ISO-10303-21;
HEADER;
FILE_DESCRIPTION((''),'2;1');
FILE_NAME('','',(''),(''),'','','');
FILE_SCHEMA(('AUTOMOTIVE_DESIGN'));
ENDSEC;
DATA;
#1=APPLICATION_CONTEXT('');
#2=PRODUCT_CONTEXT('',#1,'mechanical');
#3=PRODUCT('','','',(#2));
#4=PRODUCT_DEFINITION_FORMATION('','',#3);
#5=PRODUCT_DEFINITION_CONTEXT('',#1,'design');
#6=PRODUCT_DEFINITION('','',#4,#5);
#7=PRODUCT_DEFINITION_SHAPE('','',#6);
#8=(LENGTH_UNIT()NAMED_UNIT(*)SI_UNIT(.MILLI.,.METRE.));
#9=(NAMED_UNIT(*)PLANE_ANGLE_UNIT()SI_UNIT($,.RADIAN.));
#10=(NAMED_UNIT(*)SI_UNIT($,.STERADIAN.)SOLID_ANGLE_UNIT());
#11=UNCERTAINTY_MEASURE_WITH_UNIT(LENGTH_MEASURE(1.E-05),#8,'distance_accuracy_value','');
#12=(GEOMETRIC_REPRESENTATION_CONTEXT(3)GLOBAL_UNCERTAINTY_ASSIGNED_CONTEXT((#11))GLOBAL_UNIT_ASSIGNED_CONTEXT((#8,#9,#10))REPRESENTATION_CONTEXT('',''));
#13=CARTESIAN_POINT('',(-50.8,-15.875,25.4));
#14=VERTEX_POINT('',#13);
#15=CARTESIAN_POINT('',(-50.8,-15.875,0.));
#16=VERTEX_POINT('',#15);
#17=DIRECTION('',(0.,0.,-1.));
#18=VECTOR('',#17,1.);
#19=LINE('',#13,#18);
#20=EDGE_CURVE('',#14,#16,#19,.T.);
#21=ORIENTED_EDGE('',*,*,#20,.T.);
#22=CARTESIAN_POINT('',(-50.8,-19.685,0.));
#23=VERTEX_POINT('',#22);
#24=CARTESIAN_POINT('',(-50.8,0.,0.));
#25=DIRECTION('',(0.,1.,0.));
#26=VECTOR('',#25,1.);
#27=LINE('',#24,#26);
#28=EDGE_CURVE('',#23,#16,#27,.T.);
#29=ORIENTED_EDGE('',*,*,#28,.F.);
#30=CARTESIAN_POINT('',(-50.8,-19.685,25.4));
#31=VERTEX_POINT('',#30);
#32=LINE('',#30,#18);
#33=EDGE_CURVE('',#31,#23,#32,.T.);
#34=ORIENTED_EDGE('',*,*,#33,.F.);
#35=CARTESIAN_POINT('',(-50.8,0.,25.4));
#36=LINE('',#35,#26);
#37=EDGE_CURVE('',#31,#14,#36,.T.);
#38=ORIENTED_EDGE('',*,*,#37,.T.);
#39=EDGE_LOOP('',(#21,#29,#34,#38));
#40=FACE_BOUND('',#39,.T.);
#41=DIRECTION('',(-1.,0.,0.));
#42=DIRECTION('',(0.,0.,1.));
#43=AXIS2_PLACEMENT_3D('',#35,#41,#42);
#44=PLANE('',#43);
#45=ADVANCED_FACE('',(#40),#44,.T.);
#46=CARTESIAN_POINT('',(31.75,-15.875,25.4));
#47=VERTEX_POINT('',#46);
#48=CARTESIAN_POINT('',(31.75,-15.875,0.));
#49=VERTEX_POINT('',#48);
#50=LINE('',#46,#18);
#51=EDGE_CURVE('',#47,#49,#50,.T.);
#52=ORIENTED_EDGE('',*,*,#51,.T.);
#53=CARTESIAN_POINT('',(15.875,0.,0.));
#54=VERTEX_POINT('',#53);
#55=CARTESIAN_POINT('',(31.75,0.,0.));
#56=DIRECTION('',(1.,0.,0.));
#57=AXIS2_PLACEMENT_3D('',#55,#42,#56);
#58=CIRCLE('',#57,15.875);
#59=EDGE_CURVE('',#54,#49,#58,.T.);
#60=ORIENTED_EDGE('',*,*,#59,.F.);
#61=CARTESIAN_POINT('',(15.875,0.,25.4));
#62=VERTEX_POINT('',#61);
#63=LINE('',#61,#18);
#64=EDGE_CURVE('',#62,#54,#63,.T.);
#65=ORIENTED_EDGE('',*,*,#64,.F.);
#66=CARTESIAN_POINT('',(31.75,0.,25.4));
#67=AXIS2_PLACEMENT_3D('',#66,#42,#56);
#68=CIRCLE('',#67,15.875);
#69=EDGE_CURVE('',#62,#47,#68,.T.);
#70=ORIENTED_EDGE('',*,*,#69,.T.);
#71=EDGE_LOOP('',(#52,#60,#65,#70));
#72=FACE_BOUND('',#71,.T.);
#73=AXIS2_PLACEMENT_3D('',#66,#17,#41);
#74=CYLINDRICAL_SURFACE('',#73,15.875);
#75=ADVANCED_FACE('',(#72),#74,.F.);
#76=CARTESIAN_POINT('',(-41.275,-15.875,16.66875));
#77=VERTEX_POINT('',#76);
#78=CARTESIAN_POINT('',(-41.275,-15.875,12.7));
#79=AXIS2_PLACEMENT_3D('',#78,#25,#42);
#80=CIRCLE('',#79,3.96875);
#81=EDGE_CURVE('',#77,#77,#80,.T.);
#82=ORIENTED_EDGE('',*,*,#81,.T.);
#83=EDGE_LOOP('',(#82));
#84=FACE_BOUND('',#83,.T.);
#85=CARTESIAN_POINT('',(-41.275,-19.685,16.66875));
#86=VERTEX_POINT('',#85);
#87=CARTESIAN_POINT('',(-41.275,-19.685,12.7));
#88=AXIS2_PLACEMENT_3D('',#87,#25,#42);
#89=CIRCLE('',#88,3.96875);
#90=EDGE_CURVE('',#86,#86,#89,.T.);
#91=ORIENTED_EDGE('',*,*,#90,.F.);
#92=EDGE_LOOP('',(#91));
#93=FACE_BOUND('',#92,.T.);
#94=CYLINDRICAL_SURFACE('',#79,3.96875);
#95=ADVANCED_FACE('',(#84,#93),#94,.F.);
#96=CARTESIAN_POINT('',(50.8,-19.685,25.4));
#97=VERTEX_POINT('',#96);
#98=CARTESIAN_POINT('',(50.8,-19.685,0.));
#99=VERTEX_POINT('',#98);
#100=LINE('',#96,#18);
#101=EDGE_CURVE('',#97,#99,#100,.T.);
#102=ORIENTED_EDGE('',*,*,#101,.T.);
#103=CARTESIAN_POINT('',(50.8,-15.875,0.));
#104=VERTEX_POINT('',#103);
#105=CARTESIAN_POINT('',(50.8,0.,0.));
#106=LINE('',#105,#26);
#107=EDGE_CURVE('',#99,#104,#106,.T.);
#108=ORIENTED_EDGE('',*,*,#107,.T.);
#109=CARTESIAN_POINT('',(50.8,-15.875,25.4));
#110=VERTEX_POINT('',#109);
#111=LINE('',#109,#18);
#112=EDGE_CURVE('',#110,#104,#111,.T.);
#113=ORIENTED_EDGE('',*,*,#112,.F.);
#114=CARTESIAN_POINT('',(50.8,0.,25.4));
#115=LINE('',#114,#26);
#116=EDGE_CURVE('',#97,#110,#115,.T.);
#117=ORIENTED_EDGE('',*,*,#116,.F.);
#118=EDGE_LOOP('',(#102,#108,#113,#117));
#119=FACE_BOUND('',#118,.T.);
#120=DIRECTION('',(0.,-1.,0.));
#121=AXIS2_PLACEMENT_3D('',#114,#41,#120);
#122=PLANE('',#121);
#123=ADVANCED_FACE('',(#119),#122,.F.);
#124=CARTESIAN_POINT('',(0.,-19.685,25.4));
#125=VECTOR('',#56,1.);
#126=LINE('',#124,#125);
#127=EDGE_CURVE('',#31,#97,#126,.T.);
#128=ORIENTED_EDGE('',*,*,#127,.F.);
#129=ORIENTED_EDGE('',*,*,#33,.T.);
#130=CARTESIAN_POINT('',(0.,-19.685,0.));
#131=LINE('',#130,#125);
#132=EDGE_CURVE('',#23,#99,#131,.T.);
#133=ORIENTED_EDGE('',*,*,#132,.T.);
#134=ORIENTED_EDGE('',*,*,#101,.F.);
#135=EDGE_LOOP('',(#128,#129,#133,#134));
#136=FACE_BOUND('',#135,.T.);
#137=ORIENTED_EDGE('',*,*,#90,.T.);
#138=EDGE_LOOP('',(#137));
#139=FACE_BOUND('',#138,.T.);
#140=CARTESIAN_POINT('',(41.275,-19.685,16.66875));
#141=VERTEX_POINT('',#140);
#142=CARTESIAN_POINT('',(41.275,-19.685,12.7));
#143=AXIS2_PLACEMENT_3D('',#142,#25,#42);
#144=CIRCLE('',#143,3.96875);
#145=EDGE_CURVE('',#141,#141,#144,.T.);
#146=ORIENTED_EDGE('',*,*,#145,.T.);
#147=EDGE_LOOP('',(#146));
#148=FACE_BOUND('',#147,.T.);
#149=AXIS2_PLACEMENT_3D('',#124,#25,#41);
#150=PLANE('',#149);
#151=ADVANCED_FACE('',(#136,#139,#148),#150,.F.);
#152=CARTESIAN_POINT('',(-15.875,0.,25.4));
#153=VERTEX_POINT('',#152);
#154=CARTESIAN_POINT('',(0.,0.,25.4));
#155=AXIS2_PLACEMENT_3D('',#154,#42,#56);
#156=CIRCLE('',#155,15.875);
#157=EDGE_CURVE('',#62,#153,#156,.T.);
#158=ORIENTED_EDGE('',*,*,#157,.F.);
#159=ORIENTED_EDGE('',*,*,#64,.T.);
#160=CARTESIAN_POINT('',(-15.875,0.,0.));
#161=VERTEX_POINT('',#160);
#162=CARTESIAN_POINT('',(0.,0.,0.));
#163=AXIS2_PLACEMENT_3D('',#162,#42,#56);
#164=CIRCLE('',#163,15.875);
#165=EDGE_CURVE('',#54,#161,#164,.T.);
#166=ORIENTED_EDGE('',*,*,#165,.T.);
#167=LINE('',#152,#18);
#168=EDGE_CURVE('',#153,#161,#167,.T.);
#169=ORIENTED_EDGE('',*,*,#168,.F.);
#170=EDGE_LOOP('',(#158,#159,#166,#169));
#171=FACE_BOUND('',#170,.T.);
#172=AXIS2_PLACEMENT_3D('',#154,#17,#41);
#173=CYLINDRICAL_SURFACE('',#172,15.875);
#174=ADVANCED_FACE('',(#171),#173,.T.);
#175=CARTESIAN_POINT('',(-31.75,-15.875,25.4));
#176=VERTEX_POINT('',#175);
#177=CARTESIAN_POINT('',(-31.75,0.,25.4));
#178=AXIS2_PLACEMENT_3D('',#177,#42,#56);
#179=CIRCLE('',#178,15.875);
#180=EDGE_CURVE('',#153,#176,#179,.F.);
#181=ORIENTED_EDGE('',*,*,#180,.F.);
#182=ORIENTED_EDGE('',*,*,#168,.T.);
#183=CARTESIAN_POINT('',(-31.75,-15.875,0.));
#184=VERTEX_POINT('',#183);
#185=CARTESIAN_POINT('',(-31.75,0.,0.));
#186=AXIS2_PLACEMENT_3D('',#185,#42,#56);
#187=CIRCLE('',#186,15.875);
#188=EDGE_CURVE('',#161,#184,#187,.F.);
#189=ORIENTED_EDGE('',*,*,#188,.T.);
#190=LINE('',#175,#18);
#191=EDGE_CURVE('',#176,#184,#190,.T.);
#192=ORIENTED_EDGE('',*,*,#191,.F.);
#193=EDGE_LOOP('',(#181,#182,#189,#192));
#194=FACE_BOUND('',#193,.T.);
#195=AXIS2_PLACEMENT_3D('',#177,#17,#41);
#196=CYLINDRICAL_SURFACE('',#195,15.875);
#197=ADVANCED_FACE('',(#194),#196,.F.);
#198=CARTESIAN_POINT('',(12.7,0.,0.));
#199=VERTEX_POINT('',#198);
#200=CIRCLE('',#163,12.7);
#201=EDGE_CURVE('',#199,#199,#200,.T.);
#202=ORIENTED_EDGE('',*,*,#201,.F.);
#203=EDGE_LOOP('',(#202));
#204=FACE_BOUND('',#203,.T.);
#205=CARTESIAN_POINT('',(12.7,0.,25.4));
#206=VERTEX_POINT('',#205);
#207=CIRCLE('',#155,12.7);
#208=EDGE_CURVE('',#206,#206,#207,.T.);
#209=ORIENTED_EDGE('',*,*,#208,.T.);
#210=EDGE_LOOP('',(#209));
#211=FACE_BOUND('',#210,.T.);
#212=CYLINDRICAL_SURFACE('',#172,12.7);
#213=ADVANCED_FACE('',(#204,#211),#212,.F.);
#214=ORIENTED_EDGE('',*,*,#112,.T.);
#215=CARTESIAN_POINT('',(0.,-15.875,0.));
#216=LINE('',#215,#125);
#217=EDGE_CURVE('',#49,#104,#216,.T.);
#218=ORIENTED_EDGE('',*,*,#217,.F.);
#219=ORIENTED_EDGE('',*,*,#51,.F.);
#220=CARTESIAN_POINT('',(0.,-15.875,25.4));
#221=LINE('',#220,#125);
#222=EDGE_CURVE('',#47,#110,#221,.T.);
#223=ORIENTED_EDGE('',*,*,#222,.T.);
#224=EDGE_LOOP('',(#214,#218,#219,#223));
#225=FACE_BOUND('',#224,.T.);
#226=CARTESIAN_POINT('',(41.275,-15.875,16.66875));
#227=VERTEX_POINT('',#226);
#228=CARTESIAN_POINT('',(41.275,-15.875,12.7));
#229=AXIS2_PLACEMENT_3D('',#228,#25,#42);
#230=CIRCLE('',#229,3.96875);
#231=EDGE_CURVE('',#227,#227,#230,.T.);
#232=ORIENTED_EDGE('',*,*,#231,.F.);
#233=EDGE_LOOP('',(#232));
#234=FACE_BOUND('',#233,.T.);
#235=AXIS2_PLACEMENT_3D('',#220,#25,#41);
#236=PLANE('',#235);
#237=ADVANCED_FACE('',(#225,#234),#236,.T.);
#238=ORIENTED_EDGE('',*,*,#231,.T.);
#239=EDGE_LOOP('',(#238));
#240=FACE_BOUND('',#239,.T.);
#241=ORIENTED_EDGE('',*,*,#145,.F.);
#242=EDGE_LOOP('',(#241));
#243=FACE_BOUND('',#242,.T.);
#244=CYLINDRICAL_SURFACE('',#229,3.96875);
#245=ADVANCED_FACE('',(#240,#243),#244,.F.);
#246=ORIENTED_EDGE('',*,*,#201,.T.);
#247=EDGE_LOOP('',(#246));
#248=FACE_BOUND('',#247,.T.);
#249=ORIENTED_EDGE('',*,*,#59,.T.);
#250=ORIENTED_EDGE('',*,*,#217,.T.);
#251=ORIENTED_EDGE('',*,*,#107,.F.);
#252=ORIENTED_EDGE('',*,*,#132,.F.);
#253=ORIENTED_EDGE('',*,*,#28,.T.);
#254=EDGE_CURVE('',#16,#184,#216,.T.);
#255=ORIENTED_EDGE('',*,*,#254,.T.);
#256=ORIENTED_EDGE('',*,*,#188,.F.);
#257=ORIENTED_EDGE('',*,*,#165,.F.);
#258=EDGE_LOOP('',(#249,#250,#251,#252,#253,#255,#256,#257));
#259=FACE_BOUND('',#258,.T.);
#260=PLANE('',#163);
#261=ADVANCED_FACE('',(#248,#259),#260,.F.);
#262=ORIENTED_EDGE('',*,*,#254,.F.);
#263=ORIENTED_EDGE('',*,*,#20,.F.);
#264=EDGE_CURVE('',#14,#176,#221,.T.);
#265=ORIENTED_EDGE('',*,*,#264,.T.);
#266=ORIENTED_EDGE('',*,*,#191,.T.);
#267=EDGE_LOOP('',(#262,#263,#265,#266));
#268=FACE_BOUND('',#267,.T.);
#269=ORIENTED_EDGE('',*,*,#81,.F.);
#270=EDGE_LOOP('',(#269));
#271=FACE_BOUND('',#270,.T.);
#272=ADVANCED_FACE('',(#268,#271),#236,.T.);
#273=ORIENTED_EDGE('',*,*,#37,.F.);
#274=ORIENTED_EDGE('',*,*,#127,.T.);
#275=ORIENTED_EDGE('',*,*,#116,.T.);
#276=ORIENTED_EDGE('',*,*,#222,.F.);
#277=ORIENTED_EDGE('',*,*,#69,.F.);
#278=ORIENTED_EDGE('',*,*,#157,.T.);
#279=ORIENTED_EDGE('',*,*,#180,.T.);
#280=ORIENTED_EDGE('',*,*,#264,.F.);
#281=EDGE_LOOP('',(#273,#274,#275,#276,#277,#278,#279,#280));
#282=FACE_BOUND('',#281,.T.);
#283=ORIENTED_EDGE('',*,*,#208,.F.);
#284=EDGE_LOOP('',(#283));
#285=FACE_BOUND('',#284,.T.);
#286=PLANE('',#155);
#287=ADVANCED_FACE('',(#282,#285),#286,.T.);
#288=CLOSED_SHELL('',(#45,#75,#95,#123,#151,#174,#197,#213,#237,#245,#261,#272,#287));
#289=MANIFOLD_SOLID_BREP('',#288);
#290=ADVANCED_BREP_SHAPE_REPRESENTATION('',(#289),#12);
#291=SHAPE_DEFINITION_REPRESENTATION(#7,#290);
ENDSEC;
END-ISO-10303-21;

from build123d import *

# Parameters (mm, degrees)
SKETCH1_R                      = 15.875
SKETCH1_R_2                    = 12.7
SKETCH1_W                      = 101.6
SKETCH1_H                      = 3.81
BOSS_EXTRUDE1_DEPTH            = 25.4
F_5_16_0_3125_DIAMETER_HOLE1_D = 7.9375


with BuildPart() as part:
    # Sketch1 → Boss-Extrude1 (new body)
    # profile 1 of 4: a face of its own
    with BuildSketch(Plane.XY):
        Circle(SKETCH1_R)
        Circle(SKETCH1_R_2, mode=Mode.SUBTRACT)
    # profile 2 of 4: a face of its own
    with BuildSketch(Plane.XY):
        with BuildLine():
            ThreePointArc((-15.875, 0), (-20.524679849, -11.225320151), (-31.75, -15.875))
            Line((-31.75, -15.875), (3.4e-08, -15.875))
            ThreePointArc((3.4e-08, -15.875), (-11.225320139, -11.225320163), (-15.875, 0))
        make_face()
    # profile 3 of 4: a face of its own
    with BuildSketch(Plane.XY):
        with BuildLine():
            ThreePointArc((15.875, 0), (11.225320163, -11.225320139), (3.4e-08, -15.875))
            Line((3.4e-08, -15.875), (31.75, -15.875))
            ThreePointArc((31.75, -15.875), (20.524679849, -11.225320151), (15.875, 0))
        make_face()
    # profile 4 of 4: a face of its own
    with BuildSketch(Plane.XY):
        with Locations((0, -17.78)):
            Rectangle(SKETCH1_W, SKETCH1_H)
    extrude(amount=BOSS_EXTRUDE1_DEPTH)

    # 5/16 (0.3125) Diameter Hole1 (through all)
    with Locations(Plane(origin=(-41.275, -15.875, 12.7), x_dir=(1, 0, 0), z_dir=(0, 1, 0))):
        with Locations((0, 0)):
            f_5_16_0_3125_diameter_hole1 = Hole(F_5_16_0_3125_DIAMETER_HOLE1_D / 2)

    # Mirror1: 5/16 (0.3125) Diameter Hole1 across plane
    add(f_5_16_0_3125_diameter_hole1.mirror(Plane(origin=(0, 0, 0), x_dir=(0, 0, 1), z_dir=(1, 0, 0))), mode=Mode.SUBTRACT)


solid = part.part
